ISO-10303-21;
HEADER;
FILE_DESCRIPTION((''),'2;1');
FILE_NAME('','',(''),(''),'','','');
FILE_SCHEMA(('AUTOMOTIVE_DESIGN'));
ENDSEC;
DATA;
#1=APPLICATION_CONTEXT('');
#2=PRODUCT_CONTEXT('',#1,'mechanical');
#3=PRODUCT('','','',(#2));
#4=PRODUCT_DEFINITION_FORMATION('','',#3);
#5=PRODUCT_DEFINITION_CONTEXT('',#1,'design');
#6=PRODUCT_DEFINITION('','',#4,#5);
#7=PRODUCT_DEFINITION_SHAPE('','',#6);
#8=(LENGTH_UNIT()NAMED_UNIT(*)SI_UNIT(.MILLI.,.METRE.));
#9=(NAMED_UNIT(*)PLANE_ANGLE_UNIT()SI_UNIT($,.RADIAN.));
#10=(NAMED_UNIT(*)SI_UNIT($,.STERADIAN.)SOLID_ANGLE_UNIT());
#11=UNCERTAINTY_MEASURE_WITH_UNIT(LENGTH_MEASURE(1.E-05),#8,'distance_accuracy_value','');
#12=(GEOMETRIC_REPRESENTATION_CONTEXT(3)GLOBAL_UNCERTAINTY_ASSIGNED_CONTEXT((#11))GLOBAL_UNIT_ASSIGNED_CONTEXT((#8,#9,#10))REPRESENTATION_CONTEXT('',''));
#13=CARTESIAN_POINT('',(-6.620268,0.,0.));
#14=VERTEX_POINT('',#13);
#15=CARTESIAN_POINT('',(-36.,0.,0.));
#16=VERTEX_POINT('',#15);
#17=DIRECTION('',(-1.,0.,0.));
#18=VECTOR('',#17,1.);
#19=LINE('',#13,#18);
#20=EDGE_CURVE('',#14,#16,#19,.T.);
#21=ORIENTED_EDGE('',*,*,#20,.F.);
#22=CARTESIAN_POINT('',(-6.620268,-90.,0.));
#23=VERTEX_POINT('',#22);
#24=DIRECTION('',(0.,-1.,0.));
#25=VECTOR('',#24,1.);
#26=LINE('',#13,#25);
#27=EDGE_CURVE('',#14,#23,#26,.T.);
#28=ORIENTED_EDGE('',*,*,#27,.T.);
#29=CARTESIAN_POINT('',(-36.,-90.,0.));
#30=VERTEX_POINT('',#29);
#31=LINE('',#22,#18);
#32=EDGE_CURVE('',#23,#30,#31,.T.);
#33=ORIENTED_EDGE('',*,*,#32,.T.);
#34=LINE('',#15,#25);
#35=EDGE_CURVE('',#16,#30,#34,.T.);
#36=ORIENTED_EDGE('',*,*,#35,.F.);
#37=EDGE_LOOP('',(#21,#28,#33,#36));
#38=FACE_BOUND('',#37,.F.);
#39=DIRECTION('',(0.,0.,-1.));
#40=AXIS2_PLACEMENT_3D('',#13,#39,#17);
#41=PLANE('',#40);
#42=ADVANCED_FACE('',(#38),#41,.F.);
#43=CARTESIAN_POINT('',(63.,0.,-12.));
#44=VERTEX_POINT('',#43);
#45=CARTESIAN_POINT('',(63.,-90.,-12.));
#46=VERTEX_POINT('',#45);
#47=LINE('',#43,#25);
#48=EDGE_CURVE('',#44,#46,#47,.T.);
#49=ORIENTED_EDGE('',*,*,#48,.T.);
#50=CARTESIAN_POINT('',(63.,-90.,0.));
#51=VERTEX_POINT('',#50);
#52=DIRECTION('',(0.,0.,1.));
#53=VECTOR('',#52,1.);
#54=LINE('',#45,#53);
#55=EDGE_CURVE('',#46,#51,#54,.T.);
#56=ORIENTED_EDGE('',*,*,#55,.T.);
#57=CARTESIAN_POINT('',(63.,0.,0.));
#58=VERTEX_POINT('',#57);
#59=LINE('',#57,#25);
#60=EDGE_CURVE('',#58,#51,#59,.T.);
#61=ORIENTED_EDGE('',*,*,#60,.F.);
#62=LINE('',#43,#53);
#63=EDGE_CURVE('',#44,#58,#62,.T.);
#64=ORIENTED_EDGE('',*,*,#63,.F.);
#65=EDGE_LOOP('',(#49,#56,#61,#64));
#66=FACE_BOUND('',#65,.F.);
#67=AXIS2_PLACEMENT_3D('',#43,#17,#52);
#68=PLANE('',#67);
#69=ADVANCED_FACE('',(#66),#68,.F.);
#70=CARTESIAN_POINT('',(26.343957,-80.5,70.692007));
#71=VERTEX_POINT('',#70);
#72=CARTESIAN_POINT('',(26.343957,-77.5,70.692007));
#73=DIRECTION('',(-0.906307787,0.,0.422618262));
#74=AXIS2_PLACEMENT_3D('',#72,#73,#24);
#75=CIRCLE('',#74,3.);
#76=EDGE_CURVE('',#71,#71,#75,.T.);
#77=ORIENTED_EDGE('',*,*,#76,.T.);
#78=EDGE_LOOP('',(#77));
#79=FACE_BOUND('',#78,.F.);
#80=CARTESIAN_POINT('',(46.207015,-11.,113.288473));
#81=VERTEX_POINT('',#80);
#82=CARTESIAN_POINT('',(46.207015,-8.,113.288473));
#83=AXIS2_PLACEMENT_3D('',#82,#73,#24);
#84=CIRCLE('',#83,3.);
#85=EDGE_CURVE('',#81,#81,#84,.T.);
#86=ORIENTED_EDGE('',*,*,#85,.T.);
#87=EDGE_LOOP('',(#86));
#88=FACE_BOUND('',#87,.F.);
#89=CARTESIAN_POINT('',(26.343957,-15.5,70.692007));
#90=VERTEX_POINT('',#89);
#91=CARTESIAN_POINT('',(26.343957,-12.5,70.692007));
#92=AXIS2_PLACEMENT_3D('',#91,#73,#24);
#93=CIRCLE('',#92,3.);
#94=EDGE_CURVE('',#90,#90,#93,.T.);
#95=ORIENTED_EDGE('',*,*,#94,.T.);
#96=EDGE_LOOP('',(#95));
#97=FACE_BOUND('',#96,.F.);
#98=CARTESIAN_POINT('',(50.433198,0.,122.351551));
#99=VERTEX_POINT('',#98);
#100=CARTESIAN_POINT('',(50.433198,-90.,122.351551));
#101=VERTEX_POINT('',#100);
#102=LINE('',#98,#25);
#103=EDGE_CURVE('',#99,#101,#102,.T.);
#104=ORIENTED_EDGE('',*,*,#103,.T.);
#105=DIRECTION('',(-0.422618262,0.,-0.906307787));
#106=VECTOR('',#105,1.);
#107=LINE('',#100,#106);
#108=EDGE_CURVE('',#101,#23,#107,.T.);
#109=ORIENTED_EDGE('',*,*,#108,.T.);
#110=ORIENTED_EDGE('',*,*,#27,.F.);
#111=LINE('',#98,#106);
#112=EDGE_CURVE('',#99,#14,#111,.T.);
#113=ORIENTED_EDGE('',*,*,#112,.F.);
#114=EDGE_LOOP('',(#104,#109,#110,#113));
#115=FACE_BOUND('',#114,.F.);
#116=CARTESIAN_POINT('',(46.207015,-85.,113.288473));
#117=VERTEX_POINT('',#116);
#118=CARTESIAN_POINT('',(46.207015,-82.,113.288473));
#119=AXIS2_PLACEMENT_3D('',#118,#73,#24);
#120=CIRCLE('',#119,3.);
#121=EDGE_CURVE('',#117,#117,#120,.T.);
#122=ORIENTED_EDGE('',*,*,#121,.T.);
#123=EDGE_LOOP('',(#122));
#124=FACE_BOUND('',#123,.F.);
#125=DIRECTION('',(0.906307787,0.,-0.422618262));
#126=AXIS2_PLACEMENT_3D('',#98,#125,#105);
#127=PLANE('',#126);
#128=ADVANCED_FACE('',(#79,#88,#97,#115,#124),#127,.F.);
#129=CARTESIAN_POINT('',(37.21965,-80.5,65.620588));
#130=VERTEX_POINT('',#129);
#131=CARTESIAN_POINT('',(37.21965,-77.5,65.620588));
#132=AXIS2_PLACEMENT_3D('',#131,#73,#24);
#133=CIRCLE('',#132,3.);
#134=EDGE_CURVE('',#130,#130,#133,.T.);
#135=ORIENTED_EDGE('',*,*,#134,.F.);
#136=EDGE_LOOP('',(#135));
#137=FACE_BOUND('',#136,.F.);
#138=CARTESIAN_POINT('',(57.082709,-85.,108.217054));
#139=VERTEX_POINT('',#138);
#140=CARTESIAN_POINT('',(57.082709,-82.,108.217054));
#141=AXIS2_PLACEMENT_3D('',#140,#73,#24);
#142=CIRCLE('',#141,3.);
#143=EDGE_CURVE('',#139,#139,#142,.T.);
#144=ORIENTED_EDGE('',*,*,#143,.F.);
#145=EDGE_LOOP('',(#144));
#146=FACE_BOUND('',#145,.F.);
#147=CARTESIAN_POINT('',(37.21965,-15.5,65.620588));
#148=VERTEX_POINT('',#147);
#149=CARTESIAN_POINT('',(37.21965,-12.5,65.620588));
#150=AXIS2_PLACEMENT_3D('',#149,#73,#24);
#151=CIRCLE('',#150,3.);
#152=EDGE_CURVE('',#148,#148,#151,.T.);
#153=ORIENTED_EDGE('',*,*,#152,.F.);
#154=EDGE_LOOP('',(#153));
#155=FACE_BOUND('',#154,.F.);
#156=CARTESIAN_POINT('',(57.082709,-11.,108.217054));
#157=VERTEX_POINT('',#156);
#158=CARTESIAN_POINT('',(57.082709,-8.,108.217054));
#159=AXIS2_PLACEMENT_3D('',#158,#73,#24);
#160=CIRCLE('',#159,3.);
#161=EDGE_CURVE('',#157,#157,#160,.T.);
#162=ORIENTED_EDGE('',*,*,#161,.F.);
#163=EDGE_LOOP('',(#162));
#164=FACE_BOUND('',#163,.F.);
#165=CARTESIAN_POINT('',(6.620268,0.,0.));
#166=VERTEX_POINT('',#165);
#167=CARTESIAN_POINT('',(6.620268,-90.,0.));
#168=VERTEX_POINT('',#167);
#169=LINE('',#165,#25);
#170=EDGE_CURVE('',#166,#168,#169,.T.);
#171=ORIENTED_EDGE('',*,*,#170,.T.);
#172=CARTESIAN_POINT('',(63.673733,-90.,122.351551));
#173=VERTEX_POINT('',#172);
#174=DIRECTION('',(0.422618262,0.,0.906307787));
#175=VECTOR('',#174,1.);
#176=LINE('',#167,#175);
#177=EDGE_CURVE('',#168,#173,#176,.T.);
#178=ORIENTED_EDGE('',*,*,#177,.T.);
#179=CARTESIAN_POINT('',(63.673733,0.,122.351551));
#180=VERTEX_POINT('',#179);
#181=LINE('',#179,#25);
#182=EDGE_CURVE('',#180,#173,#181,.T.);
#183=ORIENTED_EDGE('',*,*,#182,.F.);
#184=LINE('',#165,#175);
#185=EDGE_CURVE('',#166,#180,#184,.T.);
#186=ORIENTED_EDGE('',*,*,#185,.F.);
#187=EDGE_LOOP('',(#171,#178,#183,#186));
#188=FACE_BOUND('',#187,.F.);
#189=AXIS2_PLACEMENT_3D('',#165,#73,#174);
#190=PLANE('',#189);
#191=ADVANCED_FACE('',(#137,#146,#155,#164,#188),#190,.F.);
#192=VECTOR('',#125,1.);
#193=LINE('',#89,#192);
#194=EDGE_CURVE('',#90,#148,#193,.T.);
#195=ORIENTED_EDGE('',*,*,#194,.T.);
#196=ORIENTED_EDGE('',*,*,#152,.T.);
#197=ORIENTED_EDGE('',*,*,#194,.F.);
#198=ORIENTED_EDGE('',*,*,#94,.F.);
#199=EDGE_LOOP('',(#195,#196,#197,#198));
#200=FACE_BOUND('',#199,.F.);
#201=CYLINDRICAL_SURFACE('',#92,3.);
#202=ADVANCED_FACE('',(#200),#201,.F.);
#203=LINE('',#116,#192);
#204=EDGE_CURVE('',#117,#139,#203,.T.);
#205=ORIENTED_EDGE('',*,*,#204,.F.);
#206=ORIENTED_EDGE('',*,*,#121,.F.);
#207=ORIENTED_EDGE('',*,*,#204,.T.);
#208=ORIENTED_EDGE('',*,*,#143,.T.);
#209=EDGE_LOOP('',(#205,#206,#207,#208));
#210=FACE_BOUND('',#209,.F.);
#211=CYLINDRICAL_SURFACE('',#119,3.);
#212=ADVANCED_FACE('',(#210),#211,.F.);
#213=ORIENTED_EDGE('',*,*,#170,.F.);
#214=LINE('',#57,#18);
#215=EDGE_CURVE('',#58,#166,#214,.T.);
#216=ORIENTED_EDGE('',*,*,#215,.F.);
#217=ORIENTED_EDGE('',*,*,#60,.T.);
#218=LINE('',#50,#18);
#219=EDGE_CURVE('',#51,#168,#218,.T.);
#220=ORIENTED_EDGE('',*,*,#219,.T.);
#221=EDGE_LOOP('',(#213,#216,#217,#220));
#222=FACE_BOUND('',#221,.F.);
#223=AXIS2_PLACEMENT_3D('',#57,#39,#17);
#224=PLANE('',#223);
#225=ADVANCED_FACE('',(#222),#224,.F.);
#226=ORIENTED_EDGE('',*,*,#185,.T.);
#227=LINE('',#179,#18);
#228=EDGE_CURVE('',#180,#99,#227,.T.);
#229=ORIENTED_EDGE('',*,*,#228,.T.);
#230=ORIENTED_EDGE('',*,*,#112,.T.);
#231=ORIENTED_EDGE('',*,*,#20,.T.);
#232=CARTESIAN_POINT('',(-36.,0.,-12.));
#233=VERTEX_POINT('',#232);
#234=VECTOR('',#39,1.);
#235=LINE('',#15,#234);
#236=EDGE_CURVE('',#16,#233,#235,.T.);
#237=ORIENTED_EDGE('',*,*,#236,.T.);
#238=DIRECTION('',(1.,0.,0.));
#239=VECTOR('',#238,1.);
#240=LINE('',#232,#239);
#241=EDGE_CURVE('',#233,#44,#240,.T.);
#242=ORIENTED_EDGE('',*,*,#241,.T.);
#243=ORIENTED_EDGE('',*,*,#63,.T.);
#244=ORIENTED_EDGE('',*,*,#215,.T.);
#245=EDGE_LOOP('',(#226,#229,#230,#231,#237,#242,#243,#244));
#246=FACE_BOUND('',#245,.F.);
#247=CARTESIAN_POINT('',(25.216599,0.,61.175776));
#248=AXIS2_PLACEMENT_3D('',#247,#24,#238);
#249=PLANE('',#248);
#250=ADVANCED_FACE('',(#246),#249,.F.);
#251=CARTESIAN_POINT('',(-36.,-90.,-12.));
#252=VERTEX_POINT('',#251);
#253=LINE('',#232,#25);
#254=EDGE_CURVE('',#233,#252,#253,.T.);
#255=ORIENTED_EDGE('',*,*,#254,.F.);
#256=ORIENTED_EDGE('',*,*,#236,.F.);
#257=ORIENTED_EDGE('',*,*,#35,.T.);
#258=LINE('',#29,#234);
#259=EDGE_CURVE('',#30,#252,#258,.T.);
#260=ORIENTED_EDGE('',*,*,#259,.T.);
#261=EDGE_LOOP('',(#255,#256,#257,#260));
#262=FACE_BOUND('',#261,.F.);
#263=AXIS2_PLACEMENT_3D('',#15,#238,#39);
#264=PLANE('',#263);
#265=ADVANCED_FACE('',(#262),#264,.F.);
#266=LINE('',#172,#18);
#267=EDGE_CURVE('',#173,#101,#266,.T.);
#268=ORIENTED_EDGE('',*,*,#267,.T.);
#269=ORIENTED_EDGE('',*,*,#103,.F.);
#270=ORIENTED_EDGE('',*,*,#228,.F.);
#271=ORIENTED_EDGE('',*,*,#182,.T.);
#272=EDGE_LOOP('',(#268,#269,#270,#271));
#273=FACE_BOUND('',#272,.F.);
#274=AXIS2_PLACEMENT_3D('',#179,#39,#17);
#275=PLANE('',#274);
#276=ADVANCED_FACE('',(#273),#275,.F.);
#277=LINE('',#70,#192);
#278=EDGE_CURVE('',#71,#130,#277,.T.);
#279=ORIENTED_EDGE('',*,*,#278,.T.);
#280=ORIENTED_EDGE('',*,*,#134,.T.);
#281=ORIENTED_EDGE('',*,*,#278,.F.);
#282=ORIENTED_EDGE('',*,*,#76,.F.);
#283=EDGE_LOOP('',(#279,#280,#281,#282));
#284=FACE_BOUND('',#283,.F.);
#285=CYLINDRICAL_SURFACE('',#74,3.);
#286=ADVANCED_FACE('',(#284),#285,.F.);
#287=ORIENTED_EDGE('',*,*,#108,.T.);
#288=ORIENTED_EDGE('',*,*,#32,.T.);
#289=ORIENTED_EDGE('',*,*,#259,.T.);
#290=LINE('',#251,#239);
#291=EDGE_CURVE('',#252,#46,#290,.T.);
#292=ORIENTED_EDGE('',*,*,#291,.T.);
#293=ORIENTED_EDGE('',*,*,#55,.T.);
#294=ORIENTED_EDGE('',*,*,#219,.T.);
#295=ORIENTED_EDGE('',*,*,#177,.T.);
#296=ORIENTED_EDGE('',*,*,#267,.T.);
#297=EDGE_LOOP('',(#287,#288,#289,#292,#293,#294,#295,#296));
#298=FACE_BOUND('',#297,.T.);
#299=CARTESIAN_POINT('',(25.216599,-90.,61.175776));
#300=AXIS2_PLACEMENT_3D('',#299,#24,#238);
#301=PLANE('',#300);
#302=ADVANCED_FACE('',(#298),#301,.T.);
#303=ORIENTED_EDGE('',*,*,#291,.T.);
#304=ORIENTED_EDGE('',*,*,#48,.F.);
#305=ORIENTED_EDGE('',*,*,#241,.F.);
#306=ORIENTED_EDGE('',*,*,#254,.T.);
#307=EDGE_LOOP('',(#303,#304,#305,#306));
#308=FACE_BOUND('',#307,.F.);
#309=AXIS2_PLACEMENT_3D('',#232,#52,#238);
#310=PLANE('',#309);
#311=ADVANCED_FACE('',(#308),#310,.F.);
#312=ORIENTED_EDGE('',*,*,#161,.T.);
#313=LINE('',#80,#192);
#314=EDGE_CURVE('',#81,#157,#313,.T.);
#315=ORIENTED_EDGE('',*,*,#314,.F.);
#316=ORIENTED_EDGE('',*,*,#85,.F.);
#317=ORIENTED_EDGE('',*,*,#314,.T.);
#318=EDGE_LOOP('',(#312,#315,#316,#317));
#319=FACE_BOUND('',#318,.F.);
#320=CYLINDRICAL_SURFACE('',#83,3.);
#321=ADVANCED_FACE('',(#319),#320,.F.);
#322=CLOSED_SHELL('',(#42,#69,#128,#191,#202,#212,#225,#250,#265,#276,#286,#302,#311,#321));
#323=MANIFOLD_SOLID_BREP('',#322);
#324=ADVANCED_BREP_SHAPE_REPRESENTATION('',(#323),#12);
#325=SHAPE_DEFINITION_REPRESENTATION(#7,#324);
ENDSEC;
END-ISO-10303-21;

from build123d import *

# Parameters (mm, degrees)
F1_DEPTH = 90
F2_R     = 3
F3_DEPTH = 68.7804190514
F4_R     = 3
F5_DEPTH = 68.7804190514


with BuildPart() as f1:
    # F0 (on Front) → F1 (new body)
    with BuildSketch(Plane.XZ):
        Polygon((-6.6202675138, 0), (0, 0), (57.053465335, 122.3515512499), (50.4331978212, 122.3515512499), align=None)
        Polygon((57.053465335, 122.3515512499), (0, 0), (6.6202675138, 0), (63.6737328488, 122.3515512499), align=None)
        Polygon((6.6202675138, 0), (0, 0), (0, -12), (63, -12), (63, 0), align=None)
        Polygon((0, -12), (0, 0), (-6.6202675138, 0), (-36, 0), (-36, -12), align=None)
    extrude(amount=F1_DEPTH)

    # F2 (on face) → F3 (cut, through all)
    with BuildSketch(Plane(origin=(-5.4378467222, 0, 2.5357095704), x_dir=(0, -1, 0), z_dir=(-0.906307787, 0, 0.4226182617))):
        with Locations((8, 122.2021540511)):
            Circle(F2_R)
        with Locations((82, 122.2021540511)):
            Circle(F2_R)
    extrude(amount=-F3_DEPTH, mode=Mode.SUBTRACT)

    # F4 (on face) → F5 (cut, through all)
    with BuildSketch(Plane(origin=(-5.4378467222, 0, 2.5357095704), x_dir=(0, -1, 0), z_dir=(-0.906307787, 0, 0.4226182617))):
        with Locations((12.5, 75.2021540511)):
            Circle(F4_R)
        with Locations((77.5, 75.2021540511)):
            Circle(F4_R)
    extrude(amount=-F5_DEPTH, mode=Mode.SUBTRACT)


solid = f1.part
